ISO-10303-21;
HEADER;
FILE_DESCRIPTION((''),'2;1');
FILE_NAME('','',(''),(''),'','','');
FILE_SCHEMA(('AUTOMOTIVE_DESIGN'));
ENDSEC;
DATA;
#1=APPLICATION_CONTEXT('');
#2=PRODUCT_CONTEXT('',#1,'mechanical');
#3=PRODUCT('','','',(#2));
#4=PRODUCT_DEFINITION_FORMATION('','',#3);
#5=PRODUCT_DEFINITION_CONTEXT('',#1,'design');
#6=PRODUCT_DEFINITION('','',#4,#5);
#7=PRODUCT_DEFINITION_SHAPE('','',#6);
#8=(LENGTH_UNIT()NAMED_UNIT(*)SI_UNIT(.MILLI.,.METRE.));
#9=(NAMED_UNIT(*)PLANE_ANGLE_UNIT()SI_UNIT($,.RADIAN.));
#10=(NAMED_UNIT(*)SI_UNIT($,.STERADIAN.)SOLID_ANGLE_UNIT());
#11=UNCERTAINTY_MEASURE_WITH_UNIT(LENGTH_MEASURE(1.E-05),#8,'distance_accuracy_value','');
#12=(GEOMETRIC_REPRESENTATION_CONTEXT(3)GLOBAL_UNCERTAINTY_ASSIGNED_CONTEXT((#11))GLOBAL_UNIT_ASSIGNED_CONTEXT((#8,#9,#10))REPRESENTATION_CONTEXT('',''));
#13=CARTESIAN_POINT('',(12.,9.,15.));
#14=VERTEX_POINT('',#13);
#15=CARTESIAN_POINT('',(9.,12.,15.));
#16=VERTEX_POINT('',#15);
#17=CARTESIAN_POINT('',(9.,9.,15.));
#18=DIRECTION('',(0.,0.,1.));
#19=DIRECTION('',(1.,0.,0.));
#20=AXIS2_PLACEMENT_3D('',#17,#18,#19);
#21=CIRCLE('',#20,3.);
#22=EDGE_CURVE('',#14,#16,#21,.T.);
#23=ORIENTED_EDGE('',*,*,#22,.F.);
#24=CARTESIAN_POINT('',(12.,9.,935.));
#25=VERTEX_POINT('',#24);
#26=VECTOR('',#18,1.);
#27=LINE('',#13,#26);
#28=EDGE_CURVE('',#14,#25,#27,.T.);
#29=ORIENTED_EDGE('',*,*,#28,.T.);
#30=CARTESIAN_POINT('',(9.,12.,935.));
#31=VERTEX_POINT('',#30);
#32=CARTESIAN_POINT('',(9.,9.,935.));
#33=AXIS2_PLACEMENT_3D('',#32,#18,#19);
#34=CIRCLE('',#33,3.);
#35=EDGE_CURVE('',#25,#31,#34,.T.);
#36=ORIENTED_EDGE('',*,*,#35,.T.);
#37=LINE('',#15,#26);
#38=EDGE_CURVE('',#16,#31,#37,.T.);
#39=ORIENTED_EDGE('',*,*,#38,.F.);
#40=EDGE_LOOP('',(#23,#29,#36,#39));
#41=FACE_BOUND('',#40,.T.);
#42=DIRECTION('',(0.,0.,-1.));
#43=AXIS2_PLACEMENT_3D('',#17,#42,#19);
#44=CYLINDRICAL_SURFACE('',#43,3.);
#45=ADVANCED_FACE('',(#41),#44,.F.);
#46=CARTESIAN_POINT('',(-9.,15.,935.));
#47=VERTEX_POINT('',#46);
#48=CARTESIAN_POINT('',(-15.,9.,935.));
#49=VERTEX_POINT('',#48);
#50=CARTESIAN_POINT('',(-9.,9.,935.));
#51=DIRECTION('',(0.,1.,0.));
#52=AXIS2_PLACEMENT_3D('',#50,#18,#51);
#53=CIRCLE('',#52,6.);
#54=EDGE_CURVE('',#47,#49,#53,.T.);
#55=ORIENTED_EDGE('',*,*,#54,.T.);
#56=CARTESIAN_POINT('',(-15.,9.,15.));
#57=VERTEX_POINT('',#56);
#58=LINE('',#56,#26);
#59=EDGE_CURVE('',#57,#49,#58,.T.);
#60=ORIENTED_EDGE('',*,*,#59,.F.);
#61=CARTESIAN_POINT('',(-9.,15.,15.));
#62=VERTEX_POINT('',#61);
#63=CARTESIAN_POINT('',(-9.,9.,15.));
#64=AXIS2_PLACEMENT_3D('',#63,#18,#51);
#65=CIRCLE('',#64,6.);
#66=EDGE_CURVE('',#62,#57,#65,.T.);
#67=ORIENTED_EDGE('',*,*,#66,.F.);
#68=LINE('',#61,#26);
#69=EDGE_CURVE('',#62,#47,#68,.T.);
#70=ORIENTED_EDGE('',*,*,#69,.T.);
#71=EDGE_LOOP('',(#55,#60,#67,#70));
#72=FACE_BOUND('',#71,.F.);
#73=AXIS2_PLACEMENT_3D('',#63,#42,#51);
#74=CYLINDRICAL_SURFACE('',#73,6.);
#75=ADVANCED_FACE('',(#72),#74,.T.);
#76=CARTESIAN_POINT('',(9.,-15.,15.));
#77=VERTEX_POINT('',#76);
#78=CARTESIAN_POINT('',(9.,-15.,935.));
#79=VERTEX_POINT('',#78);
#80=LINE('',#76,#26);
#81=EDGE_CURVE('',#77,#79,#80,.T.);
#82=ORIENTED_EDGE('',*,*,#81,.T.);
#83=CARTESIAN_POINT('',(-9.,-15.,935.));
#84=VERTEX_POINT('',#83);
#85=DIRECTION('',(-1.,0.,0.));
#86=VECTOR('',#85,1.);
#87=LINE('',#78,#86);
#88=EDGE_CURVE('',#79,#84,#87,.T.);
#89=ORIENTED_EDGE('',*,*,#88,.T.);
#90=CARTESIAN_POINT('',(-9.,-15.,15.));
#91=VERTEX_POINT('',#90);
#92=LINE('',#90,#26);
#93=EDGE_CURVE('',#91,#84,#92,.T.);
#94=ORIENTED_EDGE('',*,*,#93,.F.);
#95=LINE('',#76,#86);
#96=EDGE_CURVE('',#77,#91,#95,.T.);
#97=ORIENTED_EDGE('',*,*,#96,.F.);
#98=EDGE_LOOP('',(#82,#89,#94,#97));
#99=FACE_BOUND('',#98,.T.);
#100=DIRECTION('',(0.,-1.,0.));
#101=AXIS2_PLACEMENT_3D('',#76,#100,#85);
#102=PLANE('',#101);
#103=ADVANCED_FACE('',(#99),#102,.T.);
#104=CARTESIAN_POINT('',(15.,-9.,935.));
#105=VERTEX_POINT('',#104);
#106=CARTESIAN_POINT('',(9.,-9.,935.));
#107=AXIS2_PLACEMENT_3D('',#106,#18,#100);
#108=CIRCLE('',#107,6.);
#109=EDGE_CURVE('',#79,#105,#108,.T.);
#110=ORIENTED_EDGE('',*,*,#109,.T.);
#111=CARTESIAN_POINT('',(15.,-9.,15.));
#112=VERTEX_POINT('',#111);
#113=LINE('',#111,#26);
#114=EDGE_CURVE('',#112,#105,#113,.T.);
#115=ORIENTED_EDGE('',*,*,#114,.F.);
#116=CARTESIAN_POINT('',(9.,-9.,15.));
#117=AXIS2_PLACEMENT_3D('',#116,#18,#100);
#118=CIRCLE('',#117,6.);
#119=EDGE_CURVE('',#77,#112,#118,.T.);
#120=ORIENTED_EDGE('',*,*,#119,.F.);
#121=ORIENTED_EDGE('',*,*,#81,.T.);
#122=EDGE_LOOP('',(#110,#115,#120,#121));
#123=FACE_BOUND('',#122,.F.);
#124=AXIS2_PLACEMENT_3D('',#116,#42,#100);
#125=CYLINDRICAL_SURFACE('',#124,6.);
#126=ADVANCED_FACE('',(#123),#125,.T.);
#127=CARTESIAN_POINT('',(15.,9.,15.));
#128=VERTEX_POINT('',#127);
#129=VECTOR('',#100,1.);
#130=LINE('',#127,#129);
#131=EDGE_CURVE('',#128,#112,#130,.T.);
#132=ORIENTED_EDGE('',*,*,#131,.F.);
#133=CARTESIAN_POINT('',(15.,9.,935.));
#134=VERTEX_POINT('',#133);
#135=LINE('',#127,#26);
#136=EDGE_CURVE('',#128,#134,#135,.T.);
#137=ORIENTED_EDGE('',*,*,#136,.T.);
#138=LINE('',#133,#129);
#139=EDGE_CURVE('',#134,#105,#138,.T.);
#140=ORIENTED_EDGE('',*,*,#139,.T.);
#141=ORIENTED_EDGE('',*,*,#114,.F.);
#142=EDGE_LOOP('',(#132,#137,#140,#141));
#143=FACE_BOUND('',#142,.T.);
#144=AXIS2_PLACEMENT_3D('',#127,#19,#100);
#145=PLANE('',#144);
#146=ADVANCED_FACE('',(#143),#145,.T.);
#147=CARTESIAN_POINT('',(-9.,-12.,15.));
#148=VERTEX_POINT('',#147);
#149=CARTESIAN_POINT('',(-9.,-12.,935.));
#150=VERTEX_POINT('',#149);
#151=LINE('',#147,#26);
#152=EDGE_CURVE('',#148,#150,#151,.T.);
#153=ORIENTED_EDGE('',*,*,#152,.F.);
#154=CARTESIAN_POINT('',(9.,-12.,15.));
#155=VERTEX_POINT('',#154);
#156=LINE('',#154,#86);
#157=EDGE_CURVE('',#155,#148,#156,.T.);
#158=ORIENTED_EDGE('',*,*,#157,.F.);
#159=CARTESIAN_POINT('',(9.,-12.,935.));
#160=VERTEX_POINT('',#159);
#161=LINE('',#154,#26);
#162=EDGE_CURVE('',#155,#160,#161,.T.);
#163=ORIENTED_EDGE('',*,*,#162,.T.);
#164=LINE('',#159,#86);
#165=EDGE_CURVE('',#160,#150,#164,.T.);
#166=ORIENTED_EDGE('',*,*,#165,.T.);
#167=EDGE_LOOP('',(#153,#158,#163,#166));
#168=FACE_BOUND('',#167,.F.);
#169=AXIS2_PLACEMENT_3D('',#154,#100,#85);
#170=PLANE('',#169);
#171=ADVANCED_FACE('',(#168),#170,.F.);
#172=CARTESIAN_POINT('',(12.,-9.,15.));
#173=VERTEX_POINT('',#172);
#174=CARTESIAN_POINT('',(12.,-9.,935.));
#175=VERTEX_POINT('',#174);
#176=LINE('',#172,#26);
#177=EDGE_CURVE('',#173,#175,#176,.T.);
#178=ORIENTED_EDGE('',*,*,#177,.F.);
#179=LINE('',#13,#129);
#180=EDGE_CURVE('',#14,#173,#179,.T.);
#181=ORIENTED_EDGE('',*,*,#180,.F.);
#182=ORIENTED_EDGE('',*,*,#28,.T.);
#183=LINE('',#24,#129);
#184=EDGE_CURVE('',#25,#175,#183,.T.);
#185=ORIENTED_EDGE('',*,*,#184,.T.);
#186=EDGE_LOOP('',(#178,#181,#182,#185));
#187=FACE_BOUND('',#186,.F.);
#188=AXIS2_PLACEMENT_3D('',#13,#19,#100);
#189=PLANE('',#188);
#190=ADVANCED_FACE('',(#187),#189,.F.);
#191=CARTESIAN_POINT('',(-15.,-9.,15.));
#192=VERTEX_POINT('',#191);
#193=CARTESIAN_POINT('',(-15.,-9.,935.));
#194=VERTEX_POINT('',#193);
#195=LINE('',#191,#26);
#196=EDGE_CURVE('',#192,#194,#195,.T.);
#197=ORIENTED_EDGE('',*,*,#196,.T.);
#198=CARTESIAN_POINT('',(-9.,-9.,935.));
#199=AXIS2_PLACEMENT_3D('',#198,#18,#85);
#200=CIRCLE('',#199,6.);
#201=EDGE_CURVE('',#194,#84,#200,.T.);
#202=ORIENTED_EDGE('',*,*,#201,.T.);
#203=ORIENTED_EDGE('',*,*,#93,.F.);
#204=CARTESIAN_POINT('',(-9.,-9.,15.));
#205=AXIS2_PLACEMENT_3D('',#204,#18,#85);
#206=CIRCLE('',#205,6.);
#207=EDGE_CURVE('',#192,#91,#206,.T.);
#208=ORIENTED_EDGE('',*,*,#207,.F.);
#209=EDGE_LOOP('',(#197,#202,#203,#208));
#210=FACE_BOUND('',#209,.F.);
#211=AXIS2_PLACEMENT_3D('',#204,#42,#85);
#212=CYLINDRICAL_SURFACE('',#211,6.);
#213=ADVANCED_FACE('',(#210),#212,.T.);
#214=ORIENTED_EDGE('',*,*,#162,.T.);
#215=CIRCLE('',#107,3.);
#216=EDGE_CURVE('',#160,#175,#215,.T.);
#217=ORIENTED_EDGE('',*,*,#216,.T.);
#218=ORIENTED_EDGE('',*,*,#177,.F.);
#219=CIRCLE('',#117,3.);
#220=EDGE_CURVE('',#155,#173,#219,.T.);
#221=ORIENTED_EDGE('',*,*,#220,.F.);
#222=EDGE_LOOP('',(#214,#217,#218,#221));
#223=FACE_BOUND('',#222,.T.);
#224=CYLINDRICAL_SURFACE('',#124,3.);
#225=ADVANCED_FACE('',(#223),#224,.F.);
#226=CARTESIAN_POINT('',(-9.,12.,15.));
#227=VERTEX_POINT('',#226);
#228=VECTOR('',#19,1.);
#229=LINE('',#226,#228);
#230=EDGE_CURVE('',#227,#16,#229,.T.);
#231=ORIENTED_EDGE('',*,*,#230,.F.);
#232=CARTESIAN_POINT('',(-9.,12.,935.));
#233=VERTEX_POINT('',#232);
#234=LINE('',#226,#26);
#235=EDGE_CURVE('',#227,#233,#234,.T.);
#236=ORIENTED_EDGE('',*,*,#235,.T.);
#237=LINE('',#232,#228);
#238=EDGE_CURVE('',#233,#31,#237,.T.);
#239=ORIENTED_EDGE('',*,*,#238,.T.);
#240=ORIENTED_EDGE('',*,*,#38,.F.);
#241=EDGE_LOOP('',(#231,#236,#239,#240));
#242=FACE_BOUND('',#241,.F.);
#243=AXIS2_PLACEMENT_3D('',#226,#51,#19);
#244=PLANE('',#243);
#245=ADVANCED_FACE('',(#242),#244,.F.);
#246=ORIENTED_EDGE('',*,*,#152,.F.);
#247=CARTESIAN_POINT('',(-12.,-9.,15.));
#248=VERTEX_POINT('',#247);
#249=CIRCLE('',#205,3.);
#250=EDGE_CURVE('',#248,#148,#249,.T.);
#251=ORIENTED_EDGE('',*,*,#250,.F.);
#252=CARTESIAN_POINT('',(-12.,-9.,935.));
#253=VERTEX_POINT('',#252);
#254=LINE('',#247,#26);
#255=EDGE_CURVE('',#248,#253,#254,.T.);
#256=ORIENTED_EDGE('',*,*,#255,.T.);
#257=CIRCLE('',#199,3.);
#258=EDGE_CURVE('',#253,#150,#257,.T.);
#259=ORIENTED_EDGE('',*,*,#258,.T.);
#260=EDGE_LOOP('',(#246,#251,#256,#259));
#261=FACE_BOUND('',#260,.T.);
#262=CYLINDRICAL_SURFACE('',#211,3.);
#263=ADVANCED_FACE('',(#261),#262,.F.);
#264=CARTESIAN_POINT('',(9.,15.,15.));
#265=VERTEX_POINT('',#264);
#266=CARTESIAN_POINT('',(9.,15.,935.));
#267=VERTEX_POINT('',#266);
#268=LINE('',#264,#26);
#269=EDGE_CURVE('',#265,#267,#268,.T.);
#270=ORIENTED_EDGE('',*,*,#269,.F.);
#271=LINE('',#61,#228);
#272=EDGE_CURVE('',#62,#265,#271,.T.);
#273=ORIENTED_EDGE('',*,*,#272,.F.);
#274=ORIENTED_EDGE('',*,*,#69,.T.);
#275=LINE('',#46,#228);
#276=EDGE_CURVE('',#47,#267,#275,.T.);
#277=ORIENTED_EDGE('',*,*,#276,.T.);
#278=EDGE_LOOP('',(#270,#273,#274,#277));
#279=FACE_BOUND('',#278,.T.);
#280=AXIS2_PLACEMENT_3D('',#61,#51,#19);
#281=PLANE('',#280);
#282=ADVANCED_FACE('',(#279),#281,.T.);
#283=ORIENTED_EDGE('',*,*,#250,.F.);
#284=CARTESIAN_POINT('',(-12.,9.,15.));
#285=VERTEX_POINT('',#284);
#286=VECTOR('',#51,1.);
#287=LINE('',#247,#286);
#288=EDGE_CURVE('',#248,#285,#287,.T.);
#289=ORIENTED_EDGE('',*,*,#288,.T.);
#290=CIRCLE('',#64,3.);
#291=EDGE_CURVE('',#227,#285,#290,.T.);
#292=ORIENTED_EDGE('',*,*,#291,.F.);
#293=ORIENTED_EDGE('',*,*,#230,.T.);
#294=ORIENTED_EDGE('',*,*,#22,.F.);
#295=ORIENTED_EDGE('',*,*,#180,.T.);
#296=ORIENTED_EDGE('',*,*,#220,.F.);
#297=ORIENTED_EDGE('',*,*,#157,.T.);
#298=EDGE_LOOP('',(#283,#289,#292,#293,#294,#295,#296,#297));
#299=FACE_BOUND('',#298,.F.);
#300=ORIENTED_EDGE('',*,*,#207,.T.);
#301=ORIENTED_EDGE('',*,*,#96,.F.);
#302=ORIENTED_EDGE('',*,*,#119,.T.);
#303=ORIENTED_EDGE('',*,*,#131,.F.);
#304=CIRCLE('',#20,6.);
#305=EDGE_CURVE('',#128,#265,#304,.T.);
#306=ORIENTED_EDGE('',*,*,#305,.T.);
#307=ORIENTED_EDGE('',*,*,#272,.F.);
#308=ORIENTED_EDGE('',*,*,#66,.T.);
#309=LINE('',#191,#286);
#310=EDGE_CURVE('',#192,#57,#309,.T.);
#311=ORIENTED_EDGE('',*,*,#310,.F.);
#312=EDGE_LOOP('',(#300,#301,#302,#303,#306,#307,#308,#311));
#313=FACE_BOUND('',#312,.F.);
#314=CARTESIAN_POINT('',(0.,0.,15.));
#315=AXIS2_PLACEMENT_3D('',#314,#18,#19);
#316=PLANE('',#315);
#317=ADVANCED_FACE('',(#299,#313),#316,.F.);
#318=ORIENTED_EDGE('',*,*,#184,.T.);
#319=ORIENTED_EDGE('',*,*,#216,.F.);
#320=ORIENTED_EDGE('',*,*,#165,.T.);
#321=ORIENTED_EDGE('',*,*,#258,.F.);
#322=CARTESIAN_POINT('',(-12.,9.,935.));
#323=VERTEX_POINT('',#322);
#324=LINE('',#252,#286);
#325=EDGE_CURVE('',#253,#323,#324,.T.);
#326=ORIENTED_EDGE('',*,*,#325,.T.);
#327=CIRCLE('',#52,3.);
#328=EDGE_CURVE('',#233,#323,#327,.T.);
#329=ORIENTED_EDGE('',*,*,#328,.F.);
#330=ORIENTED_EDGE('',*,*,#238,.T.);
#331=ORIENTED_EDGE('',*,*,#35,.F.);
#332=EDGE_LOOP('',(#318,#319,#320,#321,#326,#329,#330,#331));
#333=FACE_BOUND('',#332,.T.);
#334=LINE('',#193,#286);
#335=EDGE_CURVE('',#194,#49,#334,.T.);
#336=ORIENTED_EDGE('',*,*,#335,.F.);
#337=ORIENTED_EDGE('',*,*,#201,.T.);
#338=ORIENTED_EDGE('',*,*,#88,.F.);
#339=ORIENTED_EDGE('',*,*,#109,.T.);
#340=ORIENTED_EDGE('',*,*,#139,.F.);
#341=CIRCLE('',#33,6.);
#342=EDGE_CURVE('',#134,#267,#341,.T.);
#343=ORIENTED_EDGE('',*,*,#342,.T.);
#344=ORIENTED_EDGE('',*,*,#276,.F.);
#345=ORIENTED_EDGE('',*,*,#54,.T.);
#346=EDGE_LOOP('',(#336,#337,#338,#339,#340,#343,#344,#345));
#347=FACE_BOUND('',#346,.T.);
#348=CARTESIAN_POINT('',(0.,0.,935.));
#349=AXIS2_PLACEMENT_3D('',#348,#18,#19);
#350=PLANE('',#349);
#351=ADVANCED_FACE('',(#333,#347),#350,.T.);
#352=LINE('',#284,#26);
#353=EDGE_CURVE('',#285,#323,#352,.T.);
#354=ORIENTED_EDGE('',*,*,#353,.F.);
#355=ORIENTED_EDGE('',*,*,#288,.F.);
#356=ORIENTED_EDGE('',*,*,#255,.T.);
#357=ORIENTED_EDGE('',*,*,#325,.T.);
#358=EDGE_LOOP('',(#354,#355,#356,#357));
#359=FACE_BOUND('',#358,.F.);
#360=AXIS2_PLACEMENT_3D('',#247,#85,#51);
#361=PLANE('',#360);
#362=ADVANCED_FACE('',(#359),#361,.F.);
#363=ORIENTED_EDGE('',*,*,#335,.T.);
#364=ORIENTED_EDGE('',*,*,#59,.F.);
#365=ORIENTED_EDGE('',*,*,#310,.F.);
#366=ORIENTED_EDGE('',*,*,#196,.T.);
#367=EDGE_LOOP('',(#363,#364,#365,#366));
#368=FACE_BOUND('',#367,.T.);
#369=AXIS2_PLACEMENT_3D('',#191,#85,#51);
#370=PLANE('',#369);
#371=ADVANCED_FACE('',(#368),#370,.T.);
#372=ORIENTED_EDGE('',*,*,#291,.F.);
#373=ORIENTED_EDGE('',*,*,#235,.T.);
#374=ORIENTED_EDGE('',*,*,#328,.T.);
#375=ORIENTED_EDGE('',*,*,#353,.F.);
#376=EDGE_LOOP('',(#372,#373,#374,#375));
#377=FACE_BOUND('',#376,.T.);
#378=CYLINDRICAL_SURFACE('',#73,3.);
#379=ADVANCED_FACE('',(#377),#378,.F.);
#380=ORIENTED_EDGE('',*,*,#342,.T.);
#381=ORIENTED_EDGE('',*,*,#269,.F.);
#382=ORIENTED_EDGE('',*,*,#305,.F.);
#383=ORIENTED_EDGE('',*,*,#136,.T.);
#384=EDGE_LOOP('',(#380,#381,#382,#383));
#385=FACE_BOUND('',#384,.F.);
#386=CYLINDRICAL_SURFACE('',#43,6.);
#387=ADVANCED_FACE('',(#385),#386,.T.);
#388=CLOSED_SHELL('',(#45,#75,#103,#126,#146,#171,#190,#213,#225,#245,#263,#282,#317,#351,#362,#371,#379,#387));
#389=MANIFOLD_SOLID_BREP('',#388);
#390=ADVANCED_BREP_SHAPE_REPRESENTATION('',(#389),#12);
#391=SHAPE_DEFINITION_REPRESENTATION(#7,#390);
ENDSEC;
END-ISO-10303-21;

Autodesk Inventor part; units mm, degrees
ref_plane "Start Plane" through (0, 0, 15) normal (0, 0, 1) x (1, 0, 0)
ref_plane "End Plane" through (0, 0, 935) normal (0, 0, 1) x (1, 0, 0)
sketch "Sketch" plane through (0, 0, 0) normal (0, 0, 1) x (1, 0, 0)
  line L0 (-15, -9) -> (-15, 9)
  line L1 (-9, 15) -> (9, 15)
  line L2 (15, 9) -> (15, -9)
  line L3 (9, -15) -> (-9, -15)
  arc A0 (-15, -9) -> (-9, -15) centre (-9, -9) ccw
  arc A1 (-9, 15) -> (-15, 9) centre (-9, 9) ccw
  arc A2 (15, 9) -> (9, 15) centre (9, 9) ccw
  arc A3 (9, -15) -> (15, -9) centre (9, -9) ccw
  arc A4 (-9, 12) -> (-12, 9) centre (-9, 9) ccw
  line L4 (-9, 12) -> (9, 12)
  arc A5 (12, 9) -> (9, 12) centre (9, 9) ccw
  line L5 (12, 9) -> (12, -9)
  arc A6 (9, -12) -> (12, -9) centre (9, -9) ccw
  line L6 (9, -12) -> (-9, -12)
  arc A7 (-12, -9) -> (-9, -12) centre (-9, -9) ccw
  line L7 (-12, -9) -> (-12, 9)
  line L8 (0, 22.7397) -> (0, -22.7397) construction
  line L9 (-22.7397, 0) -> (22.7397, 0) construction
  dimension "d7" = 6
  dimension "d10" = 30
  dimension "d11" = 30
  dimension "d12" = 3
  dimension "d15" = 15
  dimension "d16" = 15
extrude "Body" add sketch "Sketch" along normal up to surface (920 mm away) from surface at 15
sketch "Sketch3" plane through (0, 0, 0) normal (0, 0, 1) x (1, 0, 0)
  line L0 (0, 0) -> (10, 0)
ref_plane "Work Plane3" through (0, 0, 0) normal (0, -1, 0) x (1, 0, 0)
ref_plane "Work Plane4" through (-9, 0, 15) normal (0, 0, -1) x (-1, 0, 0)
split "Split1" plane through (-9, 0, 15) removes the side toward (0, 0, -1)
ref_plane "Work Plane5" through (0, -9.0011, 14.9993) normal (0, 0, -1) x (-1, 0, 0)
split "Split2" plane through (0, -9.0011, 14.9993) removes the side toward (0, 0, -1)
ref_plane "Work Plane6" through (972.0001, -308.9996, 935) normal (0, 0, 1) x (1, 0, 0)
split "Split3" plane through (972.0001, -308.9996, 935) removes the side toward (0, 0, 1)
sketch "Sketch4" plane through (0, 0, 0) normal (0, -1, 0) x (1, 0, 0)
  line L0 (-2, 15) -> (12, 15) projected
  line L1 (-2, 935) -> (12, 935) projected
  dimension "d18" = 920
equation "\"d7\" = G_IR"
equation "\"d10\" = G_H"
equation "\"d11\" = G_W"
equation "\"d12\" = G_T"
equation "\"d15\" = 0.5 * d10"
equation "\"d16\" = 0.5 * d11"
equation "\"d3\" = G_L"
equation "\"G_W\" = 30"
equation "\"G_H\" = 30"
equation "\"G_T\" = 3"
equation "\"G_IR\" = 6"
equation "\"G_L\" = d18"
equation "\"G_OFFSET_START\" = -15"
equation "\"G_OFFSET_END\" = -15"
equation "\"d13\" = -G_OFFSET_START"
equation "\"d14\" = G_OFFSET_END + B_L"
equation "\"B_L\" = 950"
properties part number "DIN EN 10219-2 - 30 x 30 x 3  - 920" material "Steel, Mild"
